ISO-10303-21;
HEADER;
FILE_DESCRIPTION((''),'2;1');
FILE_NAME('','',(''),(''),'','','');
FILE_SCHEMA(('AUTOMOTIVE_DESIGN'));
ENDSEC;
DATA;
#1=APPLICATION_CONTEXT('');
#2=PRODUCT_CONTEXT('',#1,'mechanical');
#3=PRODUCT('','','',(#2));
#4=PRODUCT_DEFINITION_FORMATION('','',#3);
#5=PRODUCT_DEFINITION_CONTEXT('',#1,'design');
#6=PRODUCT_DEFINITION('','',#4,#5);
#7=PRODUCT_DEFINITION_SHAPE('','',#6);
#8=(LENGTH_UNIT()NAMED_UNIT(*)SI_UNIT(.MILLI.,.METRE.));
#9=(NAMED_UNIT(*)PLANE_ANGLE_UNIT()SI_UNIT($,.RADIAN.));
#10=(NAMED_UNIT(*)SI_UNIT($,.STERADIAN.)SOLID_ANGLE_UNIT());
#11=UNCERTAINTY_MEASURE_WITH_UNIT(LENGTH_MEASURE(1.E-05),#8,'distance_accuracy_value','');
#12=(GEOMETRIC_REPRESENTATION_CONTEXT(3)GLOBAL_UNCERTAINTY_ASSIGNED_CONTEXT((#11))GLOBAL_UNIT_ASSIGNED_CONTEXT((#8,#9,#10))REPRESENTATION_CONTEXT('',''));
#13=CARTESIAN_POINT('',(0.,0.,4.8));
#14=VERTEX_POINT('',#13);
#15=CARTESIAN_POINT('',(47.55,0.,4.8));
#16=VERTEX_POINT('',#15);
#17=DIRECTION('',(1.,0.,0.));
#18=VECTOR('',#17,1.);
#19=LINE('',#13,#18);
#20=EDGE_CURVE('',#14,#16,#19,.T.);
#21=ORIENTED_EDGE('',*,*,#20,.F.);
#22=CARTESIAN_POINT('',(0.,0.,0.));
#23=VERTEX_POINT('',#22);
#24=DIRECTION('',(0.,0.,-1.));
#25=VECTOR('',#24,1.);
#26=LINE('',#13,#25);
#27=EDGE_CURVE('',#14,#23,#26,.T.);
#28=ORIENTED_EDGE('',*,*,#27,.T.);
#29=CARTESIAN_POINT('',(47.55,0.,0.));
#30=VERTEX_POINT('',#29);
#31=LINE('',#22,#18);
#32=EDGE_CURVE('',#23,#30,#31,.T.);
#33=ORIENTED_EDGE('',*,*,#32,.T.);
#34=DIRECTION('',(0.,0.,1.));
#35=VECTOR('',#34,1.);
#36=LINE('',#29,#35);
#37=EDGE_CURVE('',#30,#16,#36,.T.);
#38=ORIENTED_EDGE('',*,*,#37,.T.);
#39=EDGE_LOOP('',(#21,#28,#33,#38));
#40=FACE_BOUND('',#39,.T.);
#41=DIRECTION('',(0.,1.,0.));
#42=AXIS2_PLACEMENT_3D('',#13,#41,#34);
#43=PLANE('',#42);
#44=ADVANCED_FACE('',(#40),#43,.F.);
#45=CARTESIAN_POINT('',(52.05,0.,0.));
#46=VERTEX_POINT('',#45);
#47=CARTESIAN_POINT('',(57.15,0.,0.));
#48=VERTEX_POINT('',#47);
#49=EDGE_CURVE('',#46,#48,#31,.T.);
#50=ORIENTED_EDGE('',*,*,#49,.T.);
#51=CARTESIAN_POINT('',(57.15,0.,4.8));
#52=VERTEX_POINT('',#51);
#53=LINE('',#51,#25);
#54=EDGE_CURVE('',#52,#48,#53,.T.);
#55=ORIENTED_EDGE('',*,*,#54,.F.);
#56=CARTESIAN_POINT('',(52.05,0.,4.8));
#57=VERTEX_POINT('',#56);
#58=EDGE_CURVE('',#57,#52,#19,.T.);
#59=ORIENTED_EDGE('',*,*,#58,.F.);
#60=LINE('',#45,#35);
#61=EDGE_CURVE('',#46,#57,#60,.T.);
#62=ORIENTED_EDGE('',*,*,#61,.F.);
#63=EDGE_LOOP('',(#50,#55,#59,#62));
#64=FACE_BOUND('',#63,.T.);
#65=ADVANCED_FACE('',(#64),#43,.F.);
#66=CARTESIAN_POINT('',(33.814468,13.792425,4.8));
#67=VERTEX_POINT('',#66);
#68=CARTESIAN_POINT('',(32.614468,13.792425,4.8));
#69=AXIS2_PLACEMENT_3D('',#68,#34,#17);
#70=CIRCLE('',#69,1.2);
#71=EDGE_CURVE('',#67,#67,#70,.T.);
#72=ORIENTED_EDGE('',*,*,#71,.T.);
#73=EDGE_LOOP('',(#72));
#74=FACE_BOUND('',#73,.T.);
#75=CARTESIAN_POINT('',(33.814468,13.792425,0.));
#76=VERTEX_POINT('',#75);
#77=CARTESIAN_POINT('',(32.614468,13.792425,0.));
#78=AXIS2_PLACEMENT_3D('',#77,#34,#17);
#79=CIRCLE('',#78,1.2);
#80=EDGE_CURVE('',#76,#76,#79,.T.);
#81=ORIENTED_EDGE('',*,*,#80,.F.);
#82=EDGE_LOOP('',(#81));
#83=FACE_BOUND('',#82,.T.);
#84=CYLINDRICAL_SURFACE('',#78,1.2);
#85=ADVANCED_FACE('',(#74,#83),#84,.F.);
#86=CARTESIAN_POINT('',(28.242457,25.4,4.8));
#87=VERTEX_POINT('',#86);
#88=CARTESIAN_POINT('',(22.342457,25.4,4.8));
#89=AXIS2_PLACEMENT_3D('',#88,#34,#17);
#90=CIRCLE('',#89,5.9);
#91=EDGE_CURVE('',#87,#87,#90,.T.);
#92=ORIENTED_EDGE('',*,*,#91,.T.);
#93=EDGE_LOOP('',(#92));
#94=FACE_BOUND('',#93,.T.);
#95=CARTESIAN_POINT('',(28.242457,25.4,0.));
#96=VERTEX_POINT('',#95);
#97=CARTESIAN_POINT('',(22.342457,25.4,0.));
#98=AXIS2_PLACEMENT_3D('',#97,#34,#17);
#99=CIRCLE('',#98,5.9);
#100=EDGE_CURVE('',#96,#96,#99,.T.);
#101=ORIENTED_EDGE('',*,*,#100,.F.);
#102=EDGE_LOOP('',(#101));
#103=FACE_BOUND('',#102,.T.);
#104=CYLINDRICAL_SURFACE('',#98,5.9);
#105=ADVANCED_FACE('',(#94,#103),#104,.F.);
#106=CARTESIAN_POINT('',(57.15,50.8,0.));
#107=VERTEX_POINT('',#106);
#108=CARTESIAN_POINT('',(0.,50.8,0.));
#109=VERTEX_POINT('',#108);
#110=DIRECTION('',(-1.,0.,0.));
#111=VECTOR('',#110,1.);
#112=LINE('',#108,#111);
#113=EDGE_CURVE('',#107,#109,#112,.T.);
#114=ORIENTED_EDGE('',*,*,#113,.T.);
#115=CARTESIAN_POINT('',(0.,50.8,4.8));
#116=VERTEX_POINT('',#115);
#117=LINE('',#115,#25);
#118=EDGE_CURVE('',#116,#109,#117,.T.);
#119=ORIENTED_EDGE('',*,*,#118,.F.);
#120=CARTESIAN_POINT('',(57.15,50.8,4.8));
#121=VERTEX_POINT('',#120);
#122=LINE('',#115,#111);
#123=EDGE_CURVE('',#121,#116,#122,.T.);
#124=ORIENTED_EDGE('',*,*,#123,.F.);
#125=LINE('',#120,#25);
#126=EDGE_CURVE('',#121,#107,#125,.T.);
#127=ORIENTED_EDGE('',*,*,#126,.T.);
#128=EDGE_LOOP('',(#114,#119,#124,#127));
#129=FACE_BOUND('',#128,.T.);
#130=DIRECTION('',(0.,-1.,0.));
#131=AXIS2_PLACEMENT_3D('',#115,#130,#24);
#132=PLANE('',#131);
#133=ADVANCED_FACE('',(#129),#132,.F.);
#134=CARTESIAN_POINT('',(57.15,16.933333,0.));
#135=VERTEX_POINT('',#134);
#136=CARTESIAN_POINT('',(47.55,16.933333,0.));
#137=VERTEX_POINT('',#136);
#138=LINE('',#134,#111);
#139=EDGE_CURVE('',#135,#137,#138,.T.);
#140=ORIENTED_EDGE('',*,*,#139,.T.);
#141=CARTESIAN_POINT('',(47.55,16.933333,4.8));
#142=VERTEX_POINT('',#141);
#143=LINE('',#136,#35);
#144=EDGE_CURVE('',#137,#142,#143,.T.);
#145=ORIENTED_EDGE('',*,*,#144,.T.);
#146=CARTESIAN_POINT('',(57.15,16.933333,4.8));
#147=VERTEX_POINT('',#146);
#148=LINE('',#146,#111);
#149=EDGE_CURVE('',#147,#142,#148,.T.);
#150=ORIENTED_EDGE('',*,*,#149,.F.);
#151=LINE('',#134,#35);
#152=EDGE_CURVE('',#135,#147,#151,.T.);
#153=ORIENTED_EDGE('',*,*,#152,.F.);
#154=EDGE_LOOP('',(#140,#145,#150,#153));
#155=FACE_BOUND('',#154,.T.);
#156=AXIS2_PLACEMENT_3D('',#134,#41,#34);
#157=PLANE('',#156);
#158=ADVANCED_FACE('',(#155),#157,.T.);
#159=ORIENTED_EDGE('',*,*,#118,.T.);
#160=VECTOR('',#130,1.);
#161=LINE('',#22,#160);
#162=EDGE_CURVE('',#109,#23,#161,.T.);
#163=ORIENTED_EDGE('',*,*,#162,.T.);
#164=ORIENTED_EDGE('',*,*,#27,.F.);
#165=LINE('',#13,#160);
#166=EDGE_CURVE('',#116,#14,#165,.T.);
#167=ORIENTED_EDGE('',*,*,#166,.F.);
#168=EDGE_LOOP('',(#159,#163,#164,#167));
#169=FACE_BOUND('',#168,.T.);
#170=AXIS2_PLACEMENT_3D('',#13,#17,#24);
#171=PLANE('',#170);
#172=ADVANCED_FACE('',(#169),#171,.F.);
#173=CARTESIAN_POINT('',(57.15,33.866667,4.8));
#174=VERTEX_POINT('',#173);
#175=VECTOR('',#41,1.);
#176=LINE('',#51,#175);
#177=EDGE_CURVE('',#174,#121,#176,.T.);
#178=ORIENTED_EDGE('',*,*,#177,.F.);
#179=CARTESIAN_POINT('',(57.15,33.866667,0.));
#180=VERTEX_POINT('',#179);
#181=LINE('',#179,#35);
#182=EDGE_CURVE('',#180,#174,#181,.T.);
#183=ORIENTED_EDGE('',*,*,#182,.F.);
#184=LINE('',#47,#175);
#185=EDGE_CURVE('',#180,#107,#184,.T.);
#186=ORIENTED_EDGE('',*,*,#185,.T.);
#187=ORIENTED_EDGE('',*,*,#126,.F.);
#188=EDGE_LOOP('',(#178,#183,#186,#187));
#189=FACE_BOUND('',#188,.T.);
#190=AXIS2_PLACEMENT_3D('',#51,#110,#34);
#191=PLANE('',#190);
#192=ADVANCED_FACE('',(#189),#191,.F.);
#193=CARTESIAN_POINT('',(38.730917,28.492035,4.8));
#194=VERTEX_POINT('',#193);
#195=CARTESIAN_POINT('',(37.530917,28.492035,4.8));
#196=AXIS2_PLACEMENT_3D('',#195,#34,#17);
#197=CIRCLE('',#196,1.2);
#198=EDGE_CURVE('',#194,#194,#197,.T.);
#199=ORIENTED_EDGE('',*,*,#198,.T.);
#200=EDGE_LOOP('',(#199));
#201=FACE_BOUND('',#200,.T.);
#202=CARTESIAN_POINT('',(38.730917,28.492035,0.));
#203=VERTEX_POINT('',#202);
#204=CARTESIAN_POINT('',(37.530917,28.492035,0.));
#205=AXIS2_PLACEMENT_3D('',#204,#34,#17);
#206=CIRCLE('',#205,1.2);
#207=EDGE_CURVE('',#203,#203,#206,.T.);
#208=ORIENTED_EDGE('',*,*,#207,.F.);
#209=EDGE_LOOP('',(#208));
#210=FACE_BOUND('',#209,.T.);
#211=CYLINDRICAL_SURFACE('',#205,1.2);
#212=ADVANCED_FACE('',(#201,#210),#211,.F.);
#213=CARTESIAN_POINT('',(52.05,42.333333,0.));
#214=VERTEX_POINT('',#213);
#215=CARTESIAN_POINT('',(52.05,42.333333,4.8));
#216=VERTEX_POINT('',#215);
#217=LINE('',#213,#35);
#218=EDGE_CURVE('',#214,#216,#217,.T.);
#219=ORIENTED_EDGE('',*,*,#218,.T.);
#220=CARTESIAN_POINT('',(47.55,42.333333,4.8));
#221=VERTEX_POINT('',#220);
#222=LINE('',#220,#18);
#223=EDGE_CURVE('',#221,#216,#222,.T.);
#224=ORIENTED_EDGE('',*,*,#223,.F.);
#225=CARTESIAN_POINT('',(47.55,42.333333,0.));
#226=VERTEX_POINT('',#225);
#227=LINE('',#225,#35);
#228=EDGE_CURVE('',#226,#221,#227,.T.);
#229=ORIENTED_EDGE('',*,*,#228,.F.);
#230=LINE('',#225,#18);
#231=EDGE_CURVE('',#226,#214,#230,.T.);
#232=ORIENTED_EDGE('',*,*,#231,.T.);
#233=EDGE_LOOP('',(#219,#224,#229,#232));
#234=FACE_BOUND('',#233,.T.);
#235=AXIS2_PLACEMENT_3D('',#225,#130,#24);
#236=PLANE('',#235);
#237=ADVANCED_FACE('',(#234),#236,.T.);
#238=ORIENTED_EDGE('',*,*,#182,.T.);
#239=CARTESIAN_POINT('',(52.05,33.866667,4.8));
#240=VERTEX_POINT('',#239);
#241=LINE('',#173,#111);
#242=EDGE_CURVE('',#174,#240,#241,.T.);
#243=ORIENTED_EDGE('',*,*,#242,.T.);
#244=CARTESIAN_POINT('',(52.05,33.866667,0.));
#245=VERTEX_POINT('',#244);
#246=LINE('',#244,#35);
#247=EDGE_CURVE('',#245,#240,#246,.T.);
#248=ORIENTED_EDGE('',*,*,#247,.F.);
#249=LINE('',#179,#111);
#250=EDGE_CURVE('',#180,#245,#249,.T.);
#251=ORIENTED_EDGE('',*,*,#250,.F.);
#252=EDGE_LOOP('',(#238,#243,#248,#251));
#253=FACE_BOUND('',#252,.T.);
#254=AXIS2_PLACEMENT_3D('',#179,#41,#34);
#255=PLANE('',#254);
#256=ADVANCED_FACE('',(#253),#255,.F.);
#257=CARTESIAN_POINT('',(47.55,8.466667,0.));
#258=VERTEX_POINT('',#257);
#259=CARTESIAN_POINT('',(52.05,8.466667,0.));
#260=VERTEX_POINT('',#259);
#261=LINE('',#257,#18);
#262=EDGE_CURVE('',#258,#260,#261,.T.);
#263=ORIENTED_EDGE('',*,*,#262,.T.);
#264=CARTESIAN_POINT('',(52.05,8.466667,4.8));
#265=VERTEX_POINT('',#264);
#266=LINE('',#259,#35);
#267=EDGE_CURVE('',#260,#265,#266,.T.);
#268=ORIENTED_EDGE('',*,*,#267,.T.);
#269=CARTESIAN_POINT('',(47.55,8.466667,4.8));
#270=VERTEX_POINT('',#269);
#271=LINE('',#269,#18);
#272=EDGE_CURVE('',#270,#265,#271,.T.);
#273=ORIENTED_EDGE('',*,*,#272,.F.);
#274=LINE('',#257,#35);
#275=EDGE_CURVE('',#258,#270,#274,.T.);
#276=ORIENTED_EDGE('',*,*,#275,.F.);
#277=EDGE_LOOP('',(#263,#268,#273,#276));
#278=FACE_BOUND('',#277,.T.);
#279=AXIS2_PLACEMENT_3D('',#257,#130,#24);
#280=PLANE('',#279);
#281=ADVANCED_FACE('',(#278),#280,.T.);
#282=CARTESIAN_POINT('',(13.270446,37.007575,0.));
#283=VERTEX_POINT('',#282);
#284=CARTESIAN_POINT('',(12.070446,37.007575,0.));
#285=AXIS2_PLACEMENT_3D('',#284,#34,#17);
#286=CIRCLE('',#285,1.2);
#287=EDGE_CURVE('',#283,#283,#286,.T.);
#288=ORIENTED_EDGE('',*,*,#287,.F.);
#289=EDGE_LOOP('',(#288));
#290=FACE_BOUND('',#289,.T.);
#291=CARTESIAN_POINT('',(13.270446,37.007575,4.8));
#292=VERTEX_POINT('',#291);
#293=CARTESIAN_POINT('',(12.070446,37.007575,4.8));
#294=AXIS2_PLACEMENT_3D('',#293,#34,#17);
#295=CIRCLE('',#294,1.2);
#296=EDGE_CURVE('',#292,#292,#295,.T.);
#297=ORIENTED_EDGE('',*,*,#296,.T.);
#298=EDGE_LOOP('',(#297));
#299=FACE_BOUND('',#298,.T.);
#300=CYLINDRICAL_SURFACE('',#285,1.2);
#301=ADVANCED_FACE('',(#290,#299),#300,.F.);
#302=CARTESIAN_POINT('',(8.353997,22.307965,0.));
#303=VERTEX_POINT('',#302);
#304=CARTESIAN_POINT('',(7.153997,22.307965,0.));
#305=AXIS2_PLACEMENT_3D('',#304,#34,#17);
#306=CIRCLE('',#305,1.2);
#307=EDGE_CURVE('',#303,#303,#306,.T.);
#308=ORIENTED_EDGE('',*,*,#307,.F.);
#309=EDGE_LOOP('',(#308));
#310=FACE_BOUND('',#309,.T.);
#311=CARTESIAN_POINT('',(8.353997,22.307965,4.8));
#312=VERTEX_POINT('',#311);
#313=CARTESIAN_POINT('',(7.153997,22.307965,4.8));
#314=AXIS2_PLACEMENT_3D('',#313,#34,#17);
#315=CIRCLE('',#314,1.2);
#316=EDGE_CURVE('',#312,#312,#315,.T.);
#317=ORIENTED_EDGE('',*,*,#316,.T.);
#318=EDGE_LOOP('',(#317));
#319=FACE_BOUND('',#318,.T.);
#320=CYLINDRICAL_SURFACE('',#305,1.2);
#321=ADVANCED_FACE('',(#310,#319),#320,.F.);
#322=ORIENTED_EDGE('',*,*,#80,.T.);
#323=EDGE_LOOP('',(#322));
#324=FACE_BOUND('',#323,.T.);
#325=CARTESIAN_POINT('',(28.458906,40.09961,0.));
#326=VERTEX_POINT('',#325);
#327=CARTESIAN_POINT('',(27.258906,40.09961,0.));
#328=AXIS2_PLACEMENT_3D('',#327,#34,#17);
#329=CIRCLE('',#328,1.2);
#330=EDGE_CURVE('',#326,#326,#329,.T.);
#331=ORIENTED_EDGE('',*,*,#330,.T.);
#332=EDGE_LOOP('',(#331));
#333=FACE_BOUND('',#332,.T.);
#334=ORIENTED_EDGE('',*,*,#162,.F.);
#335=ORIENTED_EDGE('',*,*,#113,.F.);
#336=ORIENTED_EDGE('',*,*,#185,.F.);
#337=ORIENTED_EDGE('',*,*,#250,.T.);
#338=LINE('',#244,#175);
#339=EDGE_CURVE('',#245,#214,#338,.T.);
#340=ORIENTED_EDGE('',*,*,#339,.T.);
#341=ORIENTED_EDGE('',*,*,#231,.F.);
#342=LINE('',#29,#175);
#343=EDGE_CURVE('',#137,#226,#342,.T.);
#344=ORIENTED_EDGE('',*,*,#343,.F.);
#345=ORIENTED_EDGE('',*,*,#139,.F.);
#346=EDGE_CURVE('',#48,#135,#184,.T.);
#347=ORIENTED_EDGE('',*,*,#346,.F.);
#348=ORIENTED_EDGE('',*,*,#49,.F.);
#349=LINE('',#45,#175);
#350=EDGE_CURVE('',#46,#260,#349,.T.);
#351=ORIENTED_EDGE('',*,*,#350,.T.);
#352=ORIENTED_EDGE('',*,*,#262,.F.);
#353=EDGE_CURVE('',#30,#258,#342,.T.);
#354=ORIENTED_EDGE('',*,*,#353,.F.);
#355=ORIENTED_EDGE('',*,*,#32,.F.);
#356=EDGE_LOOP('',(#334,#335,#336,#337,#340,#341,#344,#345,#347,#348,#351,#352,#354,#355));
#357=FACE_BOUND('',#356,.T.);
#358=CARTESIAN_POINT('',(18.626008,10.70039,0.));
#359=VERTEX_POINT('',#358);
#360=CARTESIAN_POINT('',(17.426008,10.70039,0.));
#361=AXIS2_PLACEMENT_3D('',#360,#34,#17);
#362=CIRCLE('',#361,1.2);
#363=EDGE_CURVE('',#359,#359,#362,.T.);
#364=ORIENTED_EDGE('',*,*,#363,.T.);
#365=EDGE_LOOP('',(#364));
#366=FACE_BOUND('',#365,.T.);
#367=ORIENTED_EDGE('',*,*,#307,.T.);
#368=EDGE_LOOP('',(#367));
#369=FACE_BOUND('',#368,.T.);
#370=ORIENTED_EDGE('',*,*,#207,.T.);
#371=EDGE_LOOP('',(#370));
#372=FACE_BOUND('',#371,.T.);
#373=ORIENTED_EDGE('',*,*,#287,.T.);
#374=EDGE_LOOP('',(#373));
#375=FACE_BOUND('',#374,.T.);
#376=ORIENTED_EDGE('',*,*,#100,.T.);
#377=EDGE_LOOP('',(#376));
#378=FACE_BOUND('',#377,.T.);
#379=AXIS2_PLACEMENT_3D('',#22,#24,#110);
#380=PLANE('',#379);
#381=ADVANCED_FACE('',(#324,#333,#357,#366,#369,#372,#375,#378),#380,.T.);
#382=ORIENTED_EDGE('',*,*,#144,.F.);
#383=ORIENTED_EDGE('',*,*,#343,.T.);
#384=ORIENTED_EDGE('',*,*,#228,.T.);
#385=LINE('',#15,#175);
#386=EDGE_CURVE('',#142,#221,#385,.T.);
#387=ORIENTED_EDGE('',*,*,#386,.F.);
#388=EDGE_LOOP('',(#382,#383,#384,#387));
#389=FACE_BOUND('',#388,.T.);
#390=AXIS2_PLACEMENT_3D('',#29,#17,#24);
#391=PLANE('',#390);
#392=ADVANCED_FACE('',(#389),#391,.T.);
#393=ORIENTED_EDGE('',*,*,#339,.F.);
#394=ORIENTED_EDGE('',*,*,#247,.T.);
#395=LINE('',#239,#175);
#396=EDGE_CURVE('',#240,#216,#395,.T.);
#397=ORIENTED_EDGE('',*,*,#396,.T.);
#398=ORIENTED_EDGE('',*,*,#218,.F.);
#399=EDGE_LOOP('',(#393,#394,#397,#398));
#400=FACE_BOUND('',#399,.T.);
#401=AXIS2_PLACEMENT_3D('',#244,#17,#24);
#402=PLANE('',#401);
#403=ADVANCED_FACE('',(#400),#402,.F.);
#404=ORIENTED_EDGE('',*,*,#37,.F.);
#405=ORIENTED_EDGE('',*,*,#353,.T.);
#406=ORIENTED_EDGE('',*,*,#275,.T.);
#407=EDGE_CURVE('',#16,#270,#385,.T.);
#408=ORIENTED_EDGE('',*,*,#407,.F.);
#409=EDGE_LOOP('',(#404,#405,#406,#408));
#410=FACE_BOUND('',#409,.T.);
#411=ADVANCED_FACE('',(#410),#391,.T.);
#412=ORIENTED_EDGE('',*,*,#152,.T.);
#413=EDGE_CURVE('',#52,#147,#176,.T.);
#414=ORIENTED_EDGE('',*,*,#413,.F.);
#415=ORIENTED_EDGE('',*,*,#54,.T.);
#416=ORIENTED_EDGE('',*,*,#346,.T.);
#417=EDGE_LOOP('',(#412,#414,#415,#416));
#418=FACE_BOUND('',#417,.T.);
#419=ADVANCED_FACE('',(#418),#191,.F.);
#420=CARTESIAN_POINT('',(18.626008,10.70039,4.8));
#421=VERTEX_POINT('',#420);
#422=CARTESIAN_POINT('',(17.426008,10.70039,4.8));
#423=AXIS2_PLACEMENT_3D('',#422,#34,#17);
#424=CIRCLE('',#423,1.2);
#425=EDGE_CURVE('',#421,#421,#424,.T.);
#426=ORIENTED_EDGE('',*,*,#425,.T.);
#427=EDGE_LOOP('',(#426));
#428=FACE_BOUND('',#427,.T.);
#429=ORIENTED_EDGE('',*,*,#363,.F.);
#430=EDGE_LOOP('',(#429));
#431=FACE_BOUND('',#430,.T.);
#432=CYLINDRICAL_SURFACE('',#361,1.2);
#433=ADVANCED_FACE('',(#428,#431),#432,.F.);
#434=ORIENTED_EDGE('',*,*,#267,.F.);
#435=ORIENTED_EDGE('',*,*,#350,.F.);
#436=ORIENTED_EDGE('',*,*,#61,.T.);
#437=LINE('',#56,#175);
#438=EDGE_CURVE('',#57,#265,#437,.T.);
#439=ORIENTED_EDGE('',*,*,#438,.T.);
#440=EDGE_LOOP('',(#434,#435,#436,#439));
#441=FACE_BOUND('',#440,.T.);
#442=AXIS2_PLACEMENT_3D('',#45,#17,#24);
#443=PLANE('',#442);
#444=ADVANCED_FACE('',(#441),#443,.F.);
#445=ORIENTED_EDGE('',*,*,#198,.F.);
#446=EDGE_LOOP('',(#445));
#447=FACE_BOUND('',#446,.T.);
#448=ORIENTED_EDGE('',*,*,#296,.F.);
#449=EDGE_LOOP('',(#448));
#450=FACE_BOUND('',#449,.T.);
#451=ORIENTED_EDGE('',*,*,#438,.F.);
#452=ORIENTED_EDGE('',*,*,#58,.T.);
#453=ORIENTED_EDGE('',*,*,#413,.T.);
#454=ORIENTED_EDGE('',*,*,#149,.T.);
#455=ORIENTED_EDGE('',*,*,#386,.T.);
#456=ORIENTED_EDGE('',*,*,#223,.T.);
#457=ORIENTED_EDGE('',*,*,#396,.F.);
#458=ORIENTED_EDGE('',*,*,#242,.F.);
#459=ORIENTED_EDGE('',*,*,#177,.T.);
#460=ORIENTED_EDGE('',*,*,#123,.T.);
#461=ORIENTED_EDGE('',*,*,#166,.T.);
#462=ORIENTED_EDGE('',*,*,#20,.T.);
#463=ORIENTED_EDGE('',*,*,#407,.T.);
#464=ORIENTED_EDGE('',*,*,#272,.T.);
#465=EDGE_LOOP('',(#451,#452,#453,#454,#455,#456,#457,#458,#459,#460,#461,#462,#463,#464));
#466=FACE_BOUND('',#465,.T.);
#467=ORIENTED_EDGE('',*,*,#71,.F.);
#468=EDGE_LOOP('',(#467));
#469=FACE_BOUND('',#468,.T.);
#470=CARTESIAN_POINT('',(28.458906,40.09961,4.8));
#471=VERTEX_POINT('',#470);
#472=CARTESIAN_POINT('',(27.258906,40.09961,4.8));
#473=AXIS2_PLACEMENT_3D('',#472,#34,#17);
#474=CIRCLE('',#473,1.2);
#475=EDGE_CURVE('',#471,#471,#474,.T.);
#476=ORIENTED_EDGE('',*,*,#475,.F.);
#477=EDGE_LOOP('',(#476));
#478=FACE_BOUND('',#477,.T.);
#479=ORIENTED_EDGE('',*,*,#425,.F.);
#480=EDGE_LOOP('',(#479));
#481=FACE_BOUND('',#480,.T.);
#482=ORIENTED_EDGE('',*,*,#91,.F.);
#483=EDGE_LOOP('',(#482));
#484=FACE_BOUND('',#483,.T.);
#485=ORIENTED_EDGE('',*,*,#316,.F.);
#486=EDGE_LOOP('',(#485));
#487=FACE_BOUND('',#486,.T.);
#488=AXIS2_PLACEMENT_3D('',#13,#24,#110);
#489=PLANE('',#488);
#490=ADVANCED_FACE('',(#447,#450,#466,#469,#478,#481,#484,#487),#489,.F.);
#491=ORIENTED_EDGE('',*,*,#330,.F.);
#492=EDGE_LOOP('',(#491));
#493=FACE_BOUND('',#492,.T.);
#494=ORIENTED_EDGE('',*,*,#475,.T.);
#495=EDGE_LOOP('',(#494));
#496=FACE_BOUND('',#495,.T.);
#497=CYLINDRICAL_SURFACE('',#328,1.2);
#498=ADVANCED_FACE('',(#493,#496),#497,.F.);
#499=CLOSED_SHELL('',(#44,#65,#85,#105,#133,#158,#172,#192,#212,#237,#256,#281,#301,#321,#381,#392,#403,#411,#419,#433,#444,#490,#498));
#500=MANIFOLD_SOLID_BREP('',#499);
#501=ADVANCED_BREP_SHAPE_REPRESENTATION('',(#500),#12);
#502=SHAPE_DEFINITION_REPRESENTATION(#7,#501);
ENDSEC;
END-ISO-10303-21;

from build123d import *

# Parameters (mm, degrees)
SKETCH1_W           = 57.15
SKETCH1_H           = 50.8
BOSS_EXTRUDE1_DEPTH = 4.800000052
CUT_EXTRUDE4_DEPTH  = 77.614636333
SKETCH7_R           = 5.9
CUT_EXTRUDE6_DEPTH  = 100.346049289
SKETCH10_R          = 1.2
CUT_EXTRUDE9_DEPTH  = 100.346049289
SKETCH11_W          = 4.500000144
SKETCH11_H          = 8.466666667
CUT_EXTRUDE10_DEPTH = 77.614636333
CUT_EXTRUDE11_DEPTH = 77.614636333


with BuildPart() as part:
    # Sketch1 → Boss-Extrude1 (new body)
    with BuildSketch(Plane.XY):
        with Locations((28.575, 25.4)):
            Rectangle(SKETCH1_W, SKETCH1_H)
    extrude(amount=BOSS_EXTRUDE1_DEPTH)

    # Sketch5 → Cut-Extrude4 (cut, through all)
    with BuildSketch(Plane.XY.offset(4.800000052)):
        Polygon((52.349999948, 25.4), (57.15, 16.933333333), (57.15, 33.866666667), align=None)
        Polygon((47.549999896, 16.933333333), (57.15, 16.933333333), (52.349999948, 25.4), align=None)
        Polygon((47.549999896, 33.866666667), (47.549999896, 16.933333333), (52.349999948, 25.4), align=None)
        Polygon((52.349999948, 25.4), (57.15, 33.866666667), (47.549999896, 33.866666667), align=None)
    extrude(amount=-CUT_EXTRUDE4_DEPTH, mode=Mode.SUBTRACT)

    # Sketch7 → Cut-Extrude6 (cut, through all)
    with BuildSketch(Plane(origin=(60.342507963, 78.774229552, 4.800000052), x_dir=(0, 1, 0), z_dir=(0, 0, 1))):
        with Locations(Location((-53.374229552, 38.000051, 0), (0, 0, 270))):
            Circle(SKETCH7_R)
    extrude(amount=-CUT_EXTRUDE6_DEPTH, mode=Mode.SUBTRACT)

    # Sketch10 → Cut-Extrude9 (cut, through all)
    with BuildSketch(Plane(origin=(60.342507963, 78.774229552, 4.800000052), x_dir=(0, 1, 0), z_dir=(0, 0, 1))):
        with Locations(Location((-64.981804426, 27.728040216, 0), (0, 0, 270))):
            Circle(SKETCH10_R)
        with Locations(Location((-56.466264402, 53.188511109, 0), (0, 0, 270))):
            Circle(SKETCH10_R)
        with Locations(Location((-68.073839276, 42.916500326, 0), (0, 0, 270))):
            Circle(SKETCH10_R)
        with Locations(Location((-50.282194703, 22.811590891, 0), (0, 0, 270))):
            Circle(SKETCH10_R)
        with Locations(Location((-38.674619828, 33.083601674, 0), (0, 0, 270))):
            Circle(SKETCH10_R)
        with Locations(Location((-41.766654678, 48.272061784, 0), (0, 0, 270))):
            Circle(SKETCH10_R)
    extrude(amount=-CUT_EXTRUDE9_DEPTH, mode=Mode.SUBTRACT)

    # Sketch11 → Cut-Extrude10 (cut, through all)
    with BuildSketch(Plane.XY.offset(4.800000052)):
        with Locations((49.799999968, 4.233333334)):
            Rectangle(SKETCH11_W, SKETCH11_H)
    extrude(amount=-CUT_EXTRUDE10_DEPTH, mode=Mode.SUBTRACT)

    # Sketch12 → Cut-Extrude11 (cut, through all)
    with BuildSketch(Plane.XY.offset(4.800000052)):
        Polygon((49.799999968, 38.1), (47.549999896, 33.866666667), (52.05000004, 33.866666667), align=None)
        Polygon((47.549999896, 42.333333333), (47.549999896, 33.866666667), (49.799999968, 38.1), align=None)
        Polygon((49.799999968, 38.1), (52.05000004, 33.866666667), (52.05000004, 42.333333333), align=None)
        Polygon((52.05000004, 42.333333333), (47.549999896, 42.333333333), (49.799999968, 38.1), align=None)
    extrude(amount=-CUT_EXTRUDE11_DEPTH, mode=Mode.SUBTRACT)


solid = part.part
